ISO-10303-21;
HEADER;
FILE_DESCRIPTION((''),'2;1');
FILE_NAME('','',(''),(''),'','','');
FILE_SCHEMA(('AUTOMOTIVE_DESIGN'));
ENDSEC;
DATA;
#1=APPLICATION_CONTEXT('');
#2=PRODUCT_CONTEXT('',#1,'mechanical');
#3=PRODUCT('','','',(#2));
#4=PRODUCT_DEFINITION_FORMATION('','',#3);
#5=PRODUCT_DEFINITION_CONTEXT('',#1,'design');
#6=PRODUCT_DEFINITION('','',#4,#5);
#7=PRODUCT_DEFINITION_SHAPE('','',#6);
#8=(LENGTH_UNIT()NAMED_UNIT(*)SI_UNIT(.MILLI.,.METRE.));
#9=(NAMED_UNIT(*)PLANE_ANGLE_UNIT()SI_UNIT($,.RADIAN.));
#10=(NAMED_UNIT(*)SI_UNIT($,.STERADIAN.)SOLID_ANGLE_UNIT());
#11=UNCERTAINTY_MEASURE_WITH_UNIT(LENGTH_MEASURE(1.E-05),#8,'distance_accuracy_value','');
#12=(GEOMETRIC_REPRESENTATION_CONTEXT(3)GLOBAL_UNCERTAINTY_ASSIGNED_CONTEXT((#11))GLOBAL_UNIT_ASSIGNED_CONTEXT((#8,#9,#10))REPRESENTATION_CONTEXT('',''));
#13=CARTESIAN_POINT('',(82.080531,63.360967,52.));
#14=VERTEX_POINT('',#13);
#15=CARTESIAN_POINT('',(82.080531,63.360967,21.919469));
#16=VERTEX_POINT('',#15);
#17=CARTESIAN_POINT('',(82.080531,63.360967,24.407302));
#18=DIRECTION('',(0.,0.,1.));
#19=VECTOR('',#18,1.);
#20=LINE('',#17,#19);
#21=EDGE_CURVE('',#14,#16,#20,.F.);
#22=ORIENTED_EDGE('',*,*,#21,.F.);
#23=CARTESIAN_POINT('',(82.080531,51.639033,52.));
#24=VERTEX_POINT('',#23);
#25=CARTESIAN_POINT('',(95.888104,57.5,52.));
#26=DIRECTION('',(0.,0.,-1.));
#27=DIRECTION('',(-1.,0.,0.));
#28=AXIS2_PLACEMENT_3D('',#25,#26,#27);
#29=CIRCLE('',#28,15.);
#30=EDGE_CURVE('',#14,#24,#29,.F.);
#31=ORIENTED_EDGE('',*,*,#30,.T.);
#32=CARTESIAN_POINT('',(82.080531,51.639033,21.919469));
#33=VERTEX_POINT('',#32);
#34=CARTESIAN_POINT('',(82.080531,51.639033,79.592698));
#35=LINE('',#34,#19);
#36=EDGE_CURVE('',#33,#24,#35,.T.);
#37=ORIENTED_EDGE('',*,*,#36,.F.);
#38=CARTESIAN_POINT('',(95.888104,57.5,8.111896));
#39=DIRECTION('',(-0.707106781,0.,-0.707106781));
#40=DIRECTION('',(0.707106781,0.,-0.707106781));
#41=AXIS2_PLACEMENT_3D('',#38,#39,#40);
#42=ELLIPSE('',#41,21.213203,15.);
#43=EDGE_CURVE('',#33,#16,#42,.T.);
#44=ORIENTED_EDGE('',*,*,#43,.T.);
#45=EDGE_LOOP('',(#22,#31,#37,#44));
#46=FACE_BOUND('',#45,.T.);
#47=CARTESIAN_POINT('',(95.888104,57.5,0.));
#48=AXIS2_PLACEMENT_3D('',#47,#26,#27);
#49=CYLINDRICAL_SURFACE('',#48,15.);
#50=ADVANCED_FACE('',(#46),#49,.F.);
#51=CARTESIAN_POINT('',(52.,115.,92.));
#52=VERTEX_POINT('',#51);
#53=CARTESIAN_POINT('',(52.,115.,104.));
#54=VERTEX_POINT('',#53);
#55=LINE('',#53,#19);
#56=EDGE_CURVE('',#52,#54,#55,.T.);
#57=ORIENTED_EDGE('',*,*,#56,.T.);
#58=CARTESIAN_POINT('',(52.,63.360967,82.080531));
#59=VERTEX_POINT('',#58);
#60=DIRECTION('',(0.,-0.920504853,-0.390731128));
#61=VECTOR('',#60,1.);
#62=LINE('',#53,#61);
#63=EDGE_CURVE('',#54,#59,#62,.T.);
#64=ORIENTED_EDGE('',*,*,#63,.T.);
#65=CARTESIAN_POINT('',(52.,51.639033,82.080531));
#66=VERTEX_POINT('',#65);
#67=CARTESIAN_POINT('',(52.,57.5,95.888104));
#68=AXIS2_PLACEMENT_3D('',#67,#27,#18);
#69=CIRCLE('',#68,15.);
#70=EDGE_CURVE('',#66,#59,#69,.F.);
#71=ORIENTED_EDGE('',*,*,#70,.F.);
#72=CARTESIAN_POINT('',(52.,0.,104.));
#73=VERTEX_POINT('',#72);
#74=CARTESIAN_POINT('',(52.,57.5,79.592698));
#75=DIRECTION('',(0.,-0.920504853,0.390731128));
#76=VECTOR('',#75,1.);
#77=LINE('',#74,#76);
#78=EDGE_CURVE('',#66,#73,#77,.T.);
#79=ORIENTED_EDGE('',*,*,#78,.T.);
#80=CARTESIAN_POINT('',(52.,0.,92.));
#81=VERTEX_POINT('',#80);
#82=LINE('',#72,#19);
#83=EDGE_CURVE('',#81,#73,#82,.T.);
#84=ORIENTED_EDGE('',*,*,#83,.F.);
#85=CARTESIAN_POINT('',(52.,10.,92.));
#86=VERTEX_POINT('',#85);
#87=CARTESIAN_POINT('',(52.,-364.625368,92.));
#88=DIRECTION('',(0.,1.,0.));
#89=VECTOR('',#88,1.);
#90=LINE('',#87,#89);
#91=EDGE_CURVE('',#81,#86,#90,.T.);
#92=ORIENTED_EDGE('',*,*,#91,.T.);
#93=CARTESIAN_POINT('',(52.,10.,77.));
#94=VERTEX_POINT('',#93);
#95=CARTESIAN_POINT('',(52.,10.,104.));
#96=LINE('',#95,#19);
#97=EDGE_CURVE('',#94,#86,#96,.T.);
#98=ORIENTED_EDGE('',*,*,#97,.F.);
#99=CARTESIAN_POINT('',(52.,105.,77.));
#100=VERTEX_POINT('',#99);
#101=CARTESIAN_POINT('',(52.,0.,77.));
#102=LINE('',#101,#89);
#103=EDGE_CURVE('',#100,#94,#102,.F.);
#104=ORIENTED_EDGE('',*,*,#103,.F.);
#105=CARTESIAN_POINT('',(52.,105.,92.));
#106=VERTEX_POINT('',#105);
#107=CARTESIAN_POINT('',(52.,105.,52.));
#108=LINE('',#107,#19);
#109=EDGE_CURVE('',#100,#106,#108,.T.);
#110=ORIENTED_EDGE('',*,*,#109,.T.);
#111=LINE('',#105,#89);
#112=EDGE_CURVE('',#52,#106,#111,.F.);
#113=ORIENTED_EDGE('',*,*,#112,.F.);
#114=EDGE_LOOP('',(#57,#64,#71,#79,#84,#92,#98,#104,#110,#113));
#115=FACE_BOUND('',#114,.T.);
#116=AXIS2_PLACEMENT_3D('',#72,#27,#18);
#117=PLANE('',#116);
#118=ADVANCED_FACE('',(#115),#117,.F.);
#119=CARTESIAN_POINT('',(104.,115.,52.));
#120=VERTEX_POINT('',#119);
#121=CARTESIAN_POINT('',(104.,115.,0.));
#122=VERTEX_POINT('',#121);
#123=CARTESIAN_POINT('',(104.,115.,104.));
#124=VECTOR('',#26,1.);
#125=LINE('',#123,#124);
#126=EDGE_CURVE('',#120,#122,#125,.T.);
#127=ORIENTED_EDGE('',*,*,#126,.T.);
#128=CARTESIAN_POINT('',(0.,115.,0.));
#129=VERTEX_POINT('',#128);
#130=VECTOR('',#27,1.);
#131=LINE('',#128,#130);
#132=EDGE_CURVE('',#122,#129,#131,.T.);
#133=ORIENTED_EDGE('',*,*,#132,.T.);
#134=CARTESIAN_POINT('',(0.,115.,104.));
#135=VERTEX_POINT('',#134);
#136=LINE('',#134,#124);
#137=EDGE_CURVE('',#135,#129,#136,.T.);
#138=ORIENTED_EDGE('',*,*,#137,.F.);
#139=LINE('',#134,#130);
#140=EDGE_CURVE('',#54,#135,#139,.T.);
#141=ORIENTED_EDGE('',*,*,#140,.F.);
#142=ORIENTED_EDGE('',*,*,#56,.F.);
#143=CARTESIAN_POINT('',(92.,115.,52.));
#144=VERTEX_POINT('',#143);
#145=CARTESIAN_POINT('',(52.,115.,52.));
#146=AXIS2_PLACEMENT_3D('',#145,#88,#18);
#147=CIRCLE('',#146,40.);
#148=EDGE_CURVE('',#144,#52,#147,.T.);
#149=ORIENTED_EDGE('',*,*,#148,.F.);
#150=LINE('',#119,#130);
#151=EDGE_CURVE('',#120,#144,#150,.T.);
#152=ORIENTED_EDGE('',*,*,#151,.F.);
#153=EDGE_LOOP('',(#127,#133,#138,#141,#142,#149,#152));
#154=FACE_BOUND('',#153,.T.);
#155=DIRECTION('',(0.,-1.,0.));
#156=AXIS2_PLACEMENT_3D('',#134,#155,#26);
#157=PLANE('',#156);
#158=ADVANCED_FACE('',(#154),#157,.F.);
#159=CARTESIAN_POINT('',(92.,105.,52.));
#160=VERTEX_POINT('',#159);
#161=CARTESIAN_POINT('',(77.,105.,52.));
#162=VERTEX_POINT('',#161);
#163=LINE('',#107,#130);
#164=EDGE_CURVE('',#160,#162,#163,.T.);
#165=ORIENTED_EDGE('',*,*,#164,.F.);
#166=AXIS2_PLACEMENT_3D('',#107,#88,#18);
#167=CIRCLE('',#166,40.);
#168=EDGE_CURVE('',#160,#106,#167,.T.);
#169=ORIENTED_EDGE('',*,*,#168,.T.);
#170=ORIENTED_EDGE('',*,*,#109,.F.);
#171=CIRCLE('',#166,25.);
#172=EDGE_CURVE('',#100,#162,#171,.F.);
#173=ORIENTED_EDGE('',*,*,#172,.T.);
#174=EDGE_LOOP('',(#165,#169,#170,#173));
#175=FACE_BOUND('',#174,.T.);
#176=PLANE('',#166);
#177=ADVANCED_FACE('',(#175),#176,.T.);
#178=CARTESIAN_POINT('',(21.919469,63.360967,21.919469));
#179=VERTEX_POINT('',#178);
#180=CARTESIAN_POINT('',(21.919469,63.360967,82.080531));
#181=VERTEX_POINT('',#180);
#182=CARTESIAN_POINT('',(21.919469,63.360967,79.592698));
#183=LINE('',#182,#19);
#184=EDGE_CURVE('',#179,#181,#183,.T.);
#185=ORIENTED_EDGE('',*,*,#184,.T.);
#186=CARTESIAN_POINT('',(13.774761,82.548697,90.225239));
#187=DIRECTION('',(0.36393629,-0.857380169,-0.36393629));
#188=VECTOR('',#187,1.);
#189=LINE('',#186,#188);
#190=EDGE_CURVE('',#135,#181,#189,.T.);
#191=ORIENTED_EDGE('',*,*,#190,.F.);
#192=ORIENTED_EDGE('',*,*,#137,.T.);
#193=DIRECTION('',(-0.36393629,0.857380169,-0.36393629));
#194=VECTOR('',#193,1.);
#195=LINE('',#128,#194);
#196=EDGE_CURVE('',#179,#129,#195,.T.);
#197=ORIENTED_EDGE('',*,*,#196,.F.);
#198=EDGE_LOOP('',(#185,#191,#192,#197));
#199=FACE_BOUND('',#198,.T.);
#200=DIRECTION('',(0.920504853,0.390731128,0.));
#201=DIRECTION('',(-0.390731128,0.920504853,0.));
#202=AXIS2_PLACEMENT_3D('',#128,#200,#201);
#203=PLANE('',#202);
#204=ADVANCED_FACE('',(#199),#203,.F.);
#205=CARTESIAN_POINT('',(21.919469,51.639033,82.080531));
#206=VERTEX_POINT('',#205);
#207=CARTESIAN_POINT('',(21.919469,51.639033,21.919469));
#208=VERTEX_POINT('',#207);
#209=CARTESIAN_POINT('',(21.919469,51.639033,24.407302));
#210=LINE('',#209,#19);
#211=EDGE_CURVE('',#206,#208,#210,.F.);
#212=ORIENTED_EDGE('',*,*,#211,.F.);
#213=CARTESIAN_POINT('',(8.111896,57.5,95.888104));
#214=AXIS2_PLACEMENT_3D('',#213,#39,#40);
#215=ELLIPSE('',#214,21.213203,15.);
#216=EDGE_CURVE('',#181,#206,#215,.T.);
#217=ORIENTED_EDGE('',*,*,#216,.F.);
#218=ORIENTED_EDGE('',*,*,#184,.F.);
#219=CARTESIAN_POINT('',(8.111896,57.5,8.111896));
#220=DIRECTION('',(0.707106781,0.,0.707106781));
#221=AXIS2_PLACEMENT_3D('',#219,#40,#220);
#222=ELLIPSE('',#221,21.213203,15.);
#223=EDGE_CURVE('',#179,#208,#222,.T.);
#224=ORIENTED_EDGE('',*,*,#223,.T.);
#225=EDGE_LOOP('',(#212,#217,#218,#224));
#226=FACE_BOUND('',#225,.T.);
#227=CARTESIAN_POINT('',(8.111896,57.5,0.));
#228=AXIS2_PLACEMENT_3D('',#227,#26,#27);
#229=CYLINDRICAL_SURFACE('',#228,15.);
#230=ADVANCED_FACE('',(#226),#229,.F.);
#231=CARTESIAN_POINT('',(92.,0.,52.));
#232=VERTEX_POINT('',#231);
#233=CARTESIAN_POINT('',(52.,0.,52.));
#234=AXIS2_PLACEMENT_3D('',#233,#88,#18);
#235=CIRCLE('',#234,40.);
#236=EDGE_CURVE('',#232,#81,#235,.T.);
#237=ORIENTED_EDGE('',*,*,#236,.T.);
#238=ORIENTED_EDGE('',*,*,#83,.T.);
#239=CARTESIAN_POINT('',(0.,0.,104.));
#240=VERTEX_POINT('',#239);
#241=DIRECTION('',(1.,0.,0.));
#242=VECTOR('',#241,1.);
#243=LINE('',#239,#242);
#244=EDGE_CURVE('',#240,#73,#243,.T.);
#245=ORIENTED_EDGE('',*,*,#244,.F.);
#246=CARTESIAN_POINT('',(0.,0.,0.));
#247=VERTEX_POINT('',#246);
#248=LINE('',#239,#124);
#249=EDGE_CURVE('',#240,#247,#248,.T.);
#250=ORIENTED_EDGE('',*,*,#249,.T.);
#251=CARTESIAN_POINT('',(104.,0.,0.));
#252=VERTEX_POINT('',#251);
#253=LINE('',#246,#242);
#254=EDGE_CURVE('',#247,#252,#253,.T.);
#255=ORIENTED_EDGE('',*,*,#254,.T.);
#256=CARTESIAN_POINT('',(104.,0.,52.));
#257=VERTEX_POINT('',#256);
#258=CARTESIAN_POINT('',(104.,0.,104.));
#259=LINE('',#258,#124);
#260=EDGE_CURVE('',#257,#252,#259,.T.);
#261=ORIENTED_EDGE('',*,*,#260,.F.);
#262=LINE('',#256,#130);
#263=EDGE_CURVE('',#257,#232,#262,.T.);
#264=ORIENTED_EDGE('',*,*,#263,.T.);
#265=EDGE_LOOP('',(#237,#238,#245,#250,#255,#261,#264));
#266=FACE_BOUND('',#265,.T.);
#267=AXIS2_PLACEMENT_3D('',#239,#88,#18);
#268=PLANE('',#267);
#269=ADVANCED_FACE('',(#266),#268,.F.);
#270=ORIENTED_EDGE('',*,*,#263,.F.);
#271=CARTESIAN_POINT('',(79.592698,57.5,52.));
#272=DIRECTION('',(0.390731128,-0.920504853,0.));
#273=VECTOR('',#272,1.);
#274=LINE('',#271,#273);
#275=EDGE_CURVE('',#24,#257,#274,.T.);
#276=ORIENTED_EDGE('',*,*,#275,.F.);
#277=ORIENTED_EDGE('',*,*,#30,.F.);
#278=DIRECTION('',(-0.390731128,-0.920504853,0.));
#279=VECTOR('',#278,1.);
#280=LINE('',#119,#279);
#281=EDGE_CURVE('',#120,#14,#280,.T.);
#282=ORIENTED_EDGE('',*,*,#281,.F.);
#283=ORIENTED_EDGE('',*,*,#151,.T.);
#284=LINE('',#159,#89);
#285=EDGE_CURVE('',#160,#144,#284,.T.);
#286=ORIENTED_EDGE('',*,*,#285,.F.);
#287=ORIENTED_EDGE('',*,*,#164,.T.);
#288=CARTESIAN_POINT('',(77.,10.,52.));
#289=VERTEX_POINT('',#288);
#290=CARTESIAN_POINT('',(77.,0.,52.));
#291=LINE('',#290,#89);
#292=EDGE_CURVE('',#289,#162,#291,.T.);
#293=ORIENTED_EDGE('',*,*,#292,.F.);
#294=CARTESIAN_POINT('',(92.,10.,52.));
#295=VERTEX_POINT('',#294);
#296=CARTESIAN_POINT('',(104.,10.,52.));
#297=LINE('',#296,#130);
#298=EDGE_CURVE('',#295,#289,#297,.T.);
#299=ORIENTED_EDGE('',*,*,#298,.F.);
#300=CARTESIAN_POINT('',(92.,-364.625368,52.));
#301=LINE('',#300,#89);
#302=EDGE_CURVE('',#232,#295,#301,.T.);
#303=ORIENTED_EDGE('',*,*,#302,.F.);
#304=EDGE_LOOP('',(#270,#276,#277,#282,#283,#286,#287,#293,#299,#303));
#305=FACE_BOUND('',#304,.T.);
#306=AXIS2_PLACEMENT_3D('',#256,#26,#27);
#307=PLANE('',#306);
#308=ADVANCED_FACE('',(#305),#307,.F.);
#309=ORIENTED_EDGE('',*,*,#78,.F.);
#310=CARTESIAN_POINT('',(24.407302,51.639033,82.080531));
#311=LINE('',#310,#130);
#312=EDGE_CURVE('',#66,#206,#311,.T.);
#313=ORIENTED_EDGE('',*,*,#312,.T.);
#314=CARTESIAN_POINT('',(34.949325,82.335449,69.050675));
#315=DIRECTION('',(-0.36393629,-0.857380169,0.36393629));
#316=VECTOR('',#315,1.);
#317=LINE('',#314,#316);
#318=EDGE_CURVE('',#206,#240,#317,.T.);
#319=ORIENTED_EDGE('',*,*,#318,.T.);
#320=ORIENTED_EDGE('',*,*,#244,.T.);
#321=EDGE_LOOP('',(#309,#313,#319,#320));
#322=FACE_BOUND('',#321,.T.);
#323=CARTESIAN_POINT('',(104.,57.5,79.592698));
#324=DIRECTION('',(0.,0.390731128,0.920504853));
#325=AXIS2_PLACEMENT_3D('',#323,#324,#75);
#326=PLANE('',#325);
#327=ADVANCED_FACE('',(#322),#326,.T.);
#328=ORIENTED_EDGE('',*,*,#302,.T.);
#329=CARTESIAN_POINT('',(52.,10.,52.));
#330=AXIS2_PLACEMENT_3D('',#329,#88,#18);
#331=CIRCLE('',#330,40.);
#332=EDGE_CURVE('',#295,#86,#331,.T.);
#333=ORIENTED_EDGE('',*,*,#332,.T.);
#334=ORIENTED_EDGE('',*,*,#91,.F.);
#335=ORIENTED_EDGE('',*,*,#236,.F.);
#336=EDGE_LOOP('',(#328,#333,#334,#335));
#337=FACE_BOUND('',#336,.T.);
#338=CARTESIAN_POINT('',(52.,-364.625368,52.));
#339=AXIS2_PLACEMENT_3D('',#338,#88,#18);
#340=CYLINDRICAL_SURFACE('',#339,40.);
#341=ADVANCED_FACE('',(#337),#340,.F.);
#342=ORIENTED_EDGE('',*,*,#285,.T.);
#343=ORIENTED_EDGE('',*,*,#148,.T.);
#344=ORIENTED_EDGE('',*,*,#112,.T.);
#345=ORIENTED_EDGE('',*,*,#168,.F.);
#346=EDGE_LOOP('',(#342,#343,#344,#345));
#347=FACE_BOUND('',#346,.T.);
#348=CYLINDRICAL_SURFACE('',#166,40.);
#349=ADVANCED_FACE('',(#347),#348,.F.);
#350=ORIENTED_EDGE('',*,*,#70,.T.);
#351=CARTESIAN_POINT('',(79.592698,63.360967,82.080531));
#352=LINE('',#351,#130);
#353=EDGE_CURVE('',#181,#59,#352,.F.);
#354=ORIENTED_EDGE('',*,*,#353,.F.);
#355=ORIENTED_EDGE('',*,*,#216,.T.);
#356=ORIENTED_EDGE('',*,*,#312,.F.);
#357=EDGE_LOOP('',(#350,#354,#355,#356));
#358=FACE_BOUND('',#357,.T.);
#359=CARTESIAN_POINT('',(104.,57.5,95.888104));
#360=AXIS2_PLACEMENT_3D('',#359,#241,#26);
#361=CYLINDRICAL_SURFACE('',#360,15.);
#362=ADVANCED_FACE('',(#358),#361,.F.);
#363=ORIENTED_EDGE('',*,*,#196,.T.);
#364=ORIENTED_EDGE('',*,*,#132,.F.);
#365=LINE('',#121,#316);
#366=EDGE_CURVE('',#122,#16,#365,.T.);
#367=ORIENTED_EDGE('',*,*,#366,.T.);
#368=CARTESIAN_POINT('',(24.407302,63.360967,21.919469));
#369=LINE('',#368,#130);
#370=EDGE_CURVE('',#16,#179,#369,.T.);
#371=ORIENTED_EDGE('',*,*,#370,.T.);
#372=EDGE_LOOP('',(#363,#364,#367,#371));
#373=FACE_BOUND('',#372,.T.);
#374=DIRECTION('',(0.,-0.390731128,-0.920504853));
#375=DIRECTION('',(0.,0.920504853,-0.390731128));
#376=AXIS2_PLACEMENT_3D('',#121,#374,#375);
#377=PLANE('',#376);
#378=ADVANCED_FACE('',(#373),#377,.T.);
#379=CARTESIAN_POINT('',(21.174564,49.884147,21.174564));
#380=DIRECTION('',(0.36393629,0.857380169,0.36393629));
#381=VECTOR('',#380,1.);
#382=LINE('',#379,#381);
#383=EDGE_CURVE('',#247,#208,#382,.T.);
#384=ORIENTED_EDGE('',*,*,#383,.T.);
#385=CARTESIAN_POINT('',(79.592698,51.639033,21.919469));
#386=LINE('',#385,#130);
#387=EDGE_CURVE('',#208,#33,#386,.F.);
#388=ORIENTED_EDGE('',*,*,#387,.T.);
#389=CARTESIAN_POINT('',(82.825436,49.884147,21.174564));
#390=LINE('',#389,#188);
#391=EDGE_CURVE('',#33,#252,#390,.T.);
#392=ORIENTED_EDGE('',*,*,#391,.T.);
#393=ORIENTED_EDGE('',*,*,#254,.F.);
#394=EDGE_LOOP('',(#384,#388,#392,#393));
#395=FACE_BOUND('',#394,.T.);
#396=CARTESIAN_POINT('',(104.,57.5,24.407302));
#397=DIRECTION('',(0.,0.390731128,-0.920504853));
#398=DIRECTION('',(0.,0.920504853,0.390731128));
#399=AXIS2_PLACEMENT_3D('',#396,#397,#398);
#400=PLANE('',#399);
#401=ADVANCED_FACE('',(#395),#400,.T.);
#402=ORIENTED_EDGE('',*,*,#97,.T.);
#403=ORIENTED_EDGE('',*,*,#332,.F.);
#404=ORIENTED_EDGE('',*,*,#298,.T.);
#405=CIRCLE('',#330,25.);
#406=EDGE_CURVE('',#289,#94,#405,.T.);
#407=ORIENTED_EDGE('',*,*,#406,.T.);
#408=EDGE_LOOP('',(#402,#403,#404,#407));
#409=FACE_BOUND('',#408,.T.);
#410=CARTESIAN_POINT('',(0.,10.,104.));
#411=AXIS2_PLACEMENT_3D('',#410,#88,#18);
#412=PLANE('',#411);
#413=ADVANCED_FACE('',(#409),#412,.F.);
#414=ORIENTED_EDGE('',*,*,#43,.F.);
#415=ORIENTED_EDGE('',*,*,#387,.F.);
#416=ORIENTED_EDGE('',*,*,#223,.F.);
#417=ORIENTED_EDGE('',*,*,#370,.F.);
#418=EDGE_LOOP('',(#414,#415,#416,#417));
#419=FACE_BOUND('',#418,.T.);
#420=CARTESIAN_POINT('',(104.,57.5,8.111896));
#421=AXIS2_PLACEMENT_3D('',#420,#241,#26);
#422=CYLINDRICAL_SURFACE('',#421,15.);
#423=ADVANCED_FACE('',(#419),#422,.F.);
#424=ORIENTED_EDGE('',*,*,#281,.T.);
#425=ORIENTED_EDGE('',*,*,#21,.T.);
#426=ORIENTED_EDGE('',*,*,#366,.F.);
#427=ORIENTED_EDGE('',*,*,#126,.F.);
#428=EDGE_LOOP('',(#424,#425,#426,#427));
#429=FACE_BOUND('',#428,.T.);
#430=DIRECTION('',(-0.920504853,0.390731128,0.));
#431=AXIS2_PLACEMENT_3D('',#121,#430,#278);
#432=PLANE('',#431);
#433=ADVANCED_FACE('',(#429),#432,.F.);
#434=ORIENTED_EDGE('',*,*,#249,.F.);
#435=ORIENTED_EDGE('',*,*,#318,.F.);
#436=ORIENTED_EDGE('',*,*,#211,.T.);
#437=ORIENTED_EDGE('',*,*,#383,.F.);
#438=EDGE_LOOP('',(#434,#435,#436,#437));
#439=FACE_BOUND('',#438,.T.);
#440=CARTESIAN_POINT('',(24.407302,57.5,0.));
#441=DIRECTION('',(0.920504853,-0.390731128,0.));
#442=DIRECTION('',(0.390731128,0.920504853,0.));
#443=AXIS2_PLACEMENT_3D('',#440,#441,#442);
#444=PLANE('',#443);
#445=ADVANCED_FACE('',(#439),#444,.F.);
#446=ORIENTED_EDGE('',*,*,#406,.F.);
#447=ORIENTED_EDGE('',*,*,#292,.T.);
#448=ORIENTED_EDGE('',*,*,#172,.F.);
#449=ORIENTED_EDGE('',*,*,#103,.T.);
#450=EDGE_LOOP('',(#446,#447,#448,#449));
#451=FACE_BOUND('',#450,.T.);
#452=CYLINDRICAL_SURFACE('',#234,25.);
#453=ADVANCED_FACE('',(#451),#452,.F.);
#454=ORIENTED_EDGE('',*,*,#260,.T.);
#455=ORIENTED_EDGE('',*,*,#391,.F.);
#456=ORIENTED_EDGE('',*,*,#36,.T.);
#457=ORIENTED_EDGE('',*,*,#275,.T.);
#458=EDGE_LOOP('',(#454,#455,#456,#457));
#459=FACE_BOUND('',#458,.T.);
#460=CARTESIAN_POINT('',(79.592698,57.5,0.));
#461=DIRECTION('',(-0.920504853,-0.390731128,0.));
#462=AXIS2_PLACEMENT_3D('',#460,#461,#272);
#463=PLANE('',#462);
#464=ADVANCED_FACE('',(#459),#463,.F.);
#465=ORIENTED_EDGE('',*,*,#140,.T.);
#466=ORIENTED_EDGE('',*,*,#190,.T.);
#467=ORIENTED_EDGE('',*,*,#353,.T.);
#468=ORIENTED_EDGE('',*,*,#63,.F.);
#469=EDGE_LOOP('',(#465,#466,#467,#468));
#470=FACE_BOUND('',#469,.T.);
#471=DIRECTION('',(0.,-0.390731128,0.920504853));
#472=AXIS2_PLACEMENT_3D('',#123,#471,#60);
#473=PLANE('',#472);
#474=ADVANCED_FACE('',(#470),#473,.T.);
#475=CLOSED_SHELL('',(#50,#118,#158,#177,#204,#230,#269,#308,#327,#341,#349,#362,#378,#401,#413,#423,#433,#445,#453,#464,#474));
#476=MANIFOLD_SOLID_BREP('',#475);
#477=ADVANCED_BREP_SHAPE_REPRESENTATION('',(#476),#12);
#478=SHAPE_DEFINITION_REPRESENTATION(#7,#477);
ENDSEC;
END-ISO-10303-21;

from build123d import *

# Parameters (mm, degrees)
SKETCH2_W               = 104
SKETCH2_H               = 115
BOSS_EXTRUDE1_DEPTH     = 104
CUT_EXTRUDE1_DEPTH      = 187.70029459
CUT_EXTRUDE2_DEPTH      = 187.70029459
SKETCH5_R               = 25
CUT_EXTRUDE3_DEPTH      = 187.70029459
SKETCH7_R               = 40
CUT_EXTRUDE4_DEPTH      = 10
FILLET1_R               = 15
SKETCH8_W               = 52
SKETCH8_H               = 52
CUT_EXTRUDE5_DEPTH      = 187.70029459
CUT_EXTRUDE6_DEPTH      = 187.70029459
CUT_EXTRUDE6_DEPTH_BACK = 10


with BuildPart() as part:
    # Sketch2 → Boss-Extrude1 (new body)
    with BuildSketch(Plane.XY):
        with Locations((52, 57.5)):
            Rectangle(SKETCH2_W, SKETCH2_H)
    extrude(amount=BOSS_EXTRUDE1_DEPTH)

    # Sketch3 → Cut-Extrude1 (cut, through all)
    with BuildSketch(Plane.XY.offset(104)):
        Polygon((0, 115), (24.407301932, 57.5), (0, 0), align=None)
        Polygon((104, 115), (79.592698068, 57.5), (104, 0), align=None)
    extrude(amount=-CUT_EXTRUDE1_DEPTH, mode=Mode.SUBTRACT)

    # Sketch4 → Cut-Extrude2 (cut, through all)
    with BuildSketch(Plane(origin=(0, 0, 0), x_dir=(0, 0, -1), z_dir=(1, 0, 0))):
        Polygon((-104, 115), (-79.592698068, 57.5), (-104, 0), align=None)
        Polygon((0, 115), (-24.407301932, 57.5), (0, 0), align=None)
    extrude(amount=CUT_EXTRUDE2_DEPTH, mode=Mode.SUBTRACT)

    # Sketch5 → Cut-Extrude3 (cut, through all)
    with BuildSketch(Plane(origin=(0, 115, 0), x_dir=(1, 0, 0), z_dir=(0, 1, 0))):
        with Locations(Location((52, -52, 0), (0, 0, 270))):
            Circle(SKETCH5_R)
    extrude(amount=-CUT_EXTRUDE3_DEPTH, mode=Mode.SUBTRACT)

    # Sketch7 → Cut-Extrude4 (cut)
    with BuildSketch(Plane(origin=(0, 115, 0), x_dir=(1, 0, 0), z_dir=(0, 1, 0))):
        with Locations(Location((52, -52, 0), (0, 0, 270))):
            Circle(SKETCH7_R)
    extrude(amount=-CUT_EXTRUDE4_DEPTH, mode=Mode.SUBTRACT)

    # Fillet1
    fillet1_edges = [part.edges().sort_by_distance(p)[0] for p in [
        (24.407301932, 57.5, 52),
        (79.592698068, 57.5, 52),
        (52, 57.5, 79.592698068),
        (52, 57.5, 24.407301932),
    ]]
    fillet(fillet1_edges, radius=FILLET1_R)

    # Sketch8 → Cut-Extrude5 (cut, through all)
    with BuildSketch(Plane(origin=(0, 115, 0), x_dir=(1, 0, 0), z_dir=(0, 1, 0))):
        with Locations((78, -78)):
            Rectangle(SKETCH8_W, SKETCH8_H)
    extrude(amount=-CUT_EXTRUDE5_DEPTH, mode=Mode.SUBTRACT)

    # Sketch9 → Cut-Extrude6 (cut, two sides: drawn at the far end of the back side and taken through both)
    with BuildSketch(Plane.XZ.offset(-CUT_EXTRUDE6_DEPTH_BACK)):
        with BuildLine():
            Line((52, 77), (52, 92))
            ThreePointArc((52, 92), (23.715728753, 23.715728753), (92, 52))
            Line((92, 52), (77, 52))
            ThreePointArc((77, 52), (34.32233047, 34.32233047), (52, 77))
        make_face()
    extrude(amount=CUT_EXTRUDE6_DEPTH + CUT_EXTRUDE6_DEPTH_BACK, mode=Mode.SUBTRACT)


solid = part.part
